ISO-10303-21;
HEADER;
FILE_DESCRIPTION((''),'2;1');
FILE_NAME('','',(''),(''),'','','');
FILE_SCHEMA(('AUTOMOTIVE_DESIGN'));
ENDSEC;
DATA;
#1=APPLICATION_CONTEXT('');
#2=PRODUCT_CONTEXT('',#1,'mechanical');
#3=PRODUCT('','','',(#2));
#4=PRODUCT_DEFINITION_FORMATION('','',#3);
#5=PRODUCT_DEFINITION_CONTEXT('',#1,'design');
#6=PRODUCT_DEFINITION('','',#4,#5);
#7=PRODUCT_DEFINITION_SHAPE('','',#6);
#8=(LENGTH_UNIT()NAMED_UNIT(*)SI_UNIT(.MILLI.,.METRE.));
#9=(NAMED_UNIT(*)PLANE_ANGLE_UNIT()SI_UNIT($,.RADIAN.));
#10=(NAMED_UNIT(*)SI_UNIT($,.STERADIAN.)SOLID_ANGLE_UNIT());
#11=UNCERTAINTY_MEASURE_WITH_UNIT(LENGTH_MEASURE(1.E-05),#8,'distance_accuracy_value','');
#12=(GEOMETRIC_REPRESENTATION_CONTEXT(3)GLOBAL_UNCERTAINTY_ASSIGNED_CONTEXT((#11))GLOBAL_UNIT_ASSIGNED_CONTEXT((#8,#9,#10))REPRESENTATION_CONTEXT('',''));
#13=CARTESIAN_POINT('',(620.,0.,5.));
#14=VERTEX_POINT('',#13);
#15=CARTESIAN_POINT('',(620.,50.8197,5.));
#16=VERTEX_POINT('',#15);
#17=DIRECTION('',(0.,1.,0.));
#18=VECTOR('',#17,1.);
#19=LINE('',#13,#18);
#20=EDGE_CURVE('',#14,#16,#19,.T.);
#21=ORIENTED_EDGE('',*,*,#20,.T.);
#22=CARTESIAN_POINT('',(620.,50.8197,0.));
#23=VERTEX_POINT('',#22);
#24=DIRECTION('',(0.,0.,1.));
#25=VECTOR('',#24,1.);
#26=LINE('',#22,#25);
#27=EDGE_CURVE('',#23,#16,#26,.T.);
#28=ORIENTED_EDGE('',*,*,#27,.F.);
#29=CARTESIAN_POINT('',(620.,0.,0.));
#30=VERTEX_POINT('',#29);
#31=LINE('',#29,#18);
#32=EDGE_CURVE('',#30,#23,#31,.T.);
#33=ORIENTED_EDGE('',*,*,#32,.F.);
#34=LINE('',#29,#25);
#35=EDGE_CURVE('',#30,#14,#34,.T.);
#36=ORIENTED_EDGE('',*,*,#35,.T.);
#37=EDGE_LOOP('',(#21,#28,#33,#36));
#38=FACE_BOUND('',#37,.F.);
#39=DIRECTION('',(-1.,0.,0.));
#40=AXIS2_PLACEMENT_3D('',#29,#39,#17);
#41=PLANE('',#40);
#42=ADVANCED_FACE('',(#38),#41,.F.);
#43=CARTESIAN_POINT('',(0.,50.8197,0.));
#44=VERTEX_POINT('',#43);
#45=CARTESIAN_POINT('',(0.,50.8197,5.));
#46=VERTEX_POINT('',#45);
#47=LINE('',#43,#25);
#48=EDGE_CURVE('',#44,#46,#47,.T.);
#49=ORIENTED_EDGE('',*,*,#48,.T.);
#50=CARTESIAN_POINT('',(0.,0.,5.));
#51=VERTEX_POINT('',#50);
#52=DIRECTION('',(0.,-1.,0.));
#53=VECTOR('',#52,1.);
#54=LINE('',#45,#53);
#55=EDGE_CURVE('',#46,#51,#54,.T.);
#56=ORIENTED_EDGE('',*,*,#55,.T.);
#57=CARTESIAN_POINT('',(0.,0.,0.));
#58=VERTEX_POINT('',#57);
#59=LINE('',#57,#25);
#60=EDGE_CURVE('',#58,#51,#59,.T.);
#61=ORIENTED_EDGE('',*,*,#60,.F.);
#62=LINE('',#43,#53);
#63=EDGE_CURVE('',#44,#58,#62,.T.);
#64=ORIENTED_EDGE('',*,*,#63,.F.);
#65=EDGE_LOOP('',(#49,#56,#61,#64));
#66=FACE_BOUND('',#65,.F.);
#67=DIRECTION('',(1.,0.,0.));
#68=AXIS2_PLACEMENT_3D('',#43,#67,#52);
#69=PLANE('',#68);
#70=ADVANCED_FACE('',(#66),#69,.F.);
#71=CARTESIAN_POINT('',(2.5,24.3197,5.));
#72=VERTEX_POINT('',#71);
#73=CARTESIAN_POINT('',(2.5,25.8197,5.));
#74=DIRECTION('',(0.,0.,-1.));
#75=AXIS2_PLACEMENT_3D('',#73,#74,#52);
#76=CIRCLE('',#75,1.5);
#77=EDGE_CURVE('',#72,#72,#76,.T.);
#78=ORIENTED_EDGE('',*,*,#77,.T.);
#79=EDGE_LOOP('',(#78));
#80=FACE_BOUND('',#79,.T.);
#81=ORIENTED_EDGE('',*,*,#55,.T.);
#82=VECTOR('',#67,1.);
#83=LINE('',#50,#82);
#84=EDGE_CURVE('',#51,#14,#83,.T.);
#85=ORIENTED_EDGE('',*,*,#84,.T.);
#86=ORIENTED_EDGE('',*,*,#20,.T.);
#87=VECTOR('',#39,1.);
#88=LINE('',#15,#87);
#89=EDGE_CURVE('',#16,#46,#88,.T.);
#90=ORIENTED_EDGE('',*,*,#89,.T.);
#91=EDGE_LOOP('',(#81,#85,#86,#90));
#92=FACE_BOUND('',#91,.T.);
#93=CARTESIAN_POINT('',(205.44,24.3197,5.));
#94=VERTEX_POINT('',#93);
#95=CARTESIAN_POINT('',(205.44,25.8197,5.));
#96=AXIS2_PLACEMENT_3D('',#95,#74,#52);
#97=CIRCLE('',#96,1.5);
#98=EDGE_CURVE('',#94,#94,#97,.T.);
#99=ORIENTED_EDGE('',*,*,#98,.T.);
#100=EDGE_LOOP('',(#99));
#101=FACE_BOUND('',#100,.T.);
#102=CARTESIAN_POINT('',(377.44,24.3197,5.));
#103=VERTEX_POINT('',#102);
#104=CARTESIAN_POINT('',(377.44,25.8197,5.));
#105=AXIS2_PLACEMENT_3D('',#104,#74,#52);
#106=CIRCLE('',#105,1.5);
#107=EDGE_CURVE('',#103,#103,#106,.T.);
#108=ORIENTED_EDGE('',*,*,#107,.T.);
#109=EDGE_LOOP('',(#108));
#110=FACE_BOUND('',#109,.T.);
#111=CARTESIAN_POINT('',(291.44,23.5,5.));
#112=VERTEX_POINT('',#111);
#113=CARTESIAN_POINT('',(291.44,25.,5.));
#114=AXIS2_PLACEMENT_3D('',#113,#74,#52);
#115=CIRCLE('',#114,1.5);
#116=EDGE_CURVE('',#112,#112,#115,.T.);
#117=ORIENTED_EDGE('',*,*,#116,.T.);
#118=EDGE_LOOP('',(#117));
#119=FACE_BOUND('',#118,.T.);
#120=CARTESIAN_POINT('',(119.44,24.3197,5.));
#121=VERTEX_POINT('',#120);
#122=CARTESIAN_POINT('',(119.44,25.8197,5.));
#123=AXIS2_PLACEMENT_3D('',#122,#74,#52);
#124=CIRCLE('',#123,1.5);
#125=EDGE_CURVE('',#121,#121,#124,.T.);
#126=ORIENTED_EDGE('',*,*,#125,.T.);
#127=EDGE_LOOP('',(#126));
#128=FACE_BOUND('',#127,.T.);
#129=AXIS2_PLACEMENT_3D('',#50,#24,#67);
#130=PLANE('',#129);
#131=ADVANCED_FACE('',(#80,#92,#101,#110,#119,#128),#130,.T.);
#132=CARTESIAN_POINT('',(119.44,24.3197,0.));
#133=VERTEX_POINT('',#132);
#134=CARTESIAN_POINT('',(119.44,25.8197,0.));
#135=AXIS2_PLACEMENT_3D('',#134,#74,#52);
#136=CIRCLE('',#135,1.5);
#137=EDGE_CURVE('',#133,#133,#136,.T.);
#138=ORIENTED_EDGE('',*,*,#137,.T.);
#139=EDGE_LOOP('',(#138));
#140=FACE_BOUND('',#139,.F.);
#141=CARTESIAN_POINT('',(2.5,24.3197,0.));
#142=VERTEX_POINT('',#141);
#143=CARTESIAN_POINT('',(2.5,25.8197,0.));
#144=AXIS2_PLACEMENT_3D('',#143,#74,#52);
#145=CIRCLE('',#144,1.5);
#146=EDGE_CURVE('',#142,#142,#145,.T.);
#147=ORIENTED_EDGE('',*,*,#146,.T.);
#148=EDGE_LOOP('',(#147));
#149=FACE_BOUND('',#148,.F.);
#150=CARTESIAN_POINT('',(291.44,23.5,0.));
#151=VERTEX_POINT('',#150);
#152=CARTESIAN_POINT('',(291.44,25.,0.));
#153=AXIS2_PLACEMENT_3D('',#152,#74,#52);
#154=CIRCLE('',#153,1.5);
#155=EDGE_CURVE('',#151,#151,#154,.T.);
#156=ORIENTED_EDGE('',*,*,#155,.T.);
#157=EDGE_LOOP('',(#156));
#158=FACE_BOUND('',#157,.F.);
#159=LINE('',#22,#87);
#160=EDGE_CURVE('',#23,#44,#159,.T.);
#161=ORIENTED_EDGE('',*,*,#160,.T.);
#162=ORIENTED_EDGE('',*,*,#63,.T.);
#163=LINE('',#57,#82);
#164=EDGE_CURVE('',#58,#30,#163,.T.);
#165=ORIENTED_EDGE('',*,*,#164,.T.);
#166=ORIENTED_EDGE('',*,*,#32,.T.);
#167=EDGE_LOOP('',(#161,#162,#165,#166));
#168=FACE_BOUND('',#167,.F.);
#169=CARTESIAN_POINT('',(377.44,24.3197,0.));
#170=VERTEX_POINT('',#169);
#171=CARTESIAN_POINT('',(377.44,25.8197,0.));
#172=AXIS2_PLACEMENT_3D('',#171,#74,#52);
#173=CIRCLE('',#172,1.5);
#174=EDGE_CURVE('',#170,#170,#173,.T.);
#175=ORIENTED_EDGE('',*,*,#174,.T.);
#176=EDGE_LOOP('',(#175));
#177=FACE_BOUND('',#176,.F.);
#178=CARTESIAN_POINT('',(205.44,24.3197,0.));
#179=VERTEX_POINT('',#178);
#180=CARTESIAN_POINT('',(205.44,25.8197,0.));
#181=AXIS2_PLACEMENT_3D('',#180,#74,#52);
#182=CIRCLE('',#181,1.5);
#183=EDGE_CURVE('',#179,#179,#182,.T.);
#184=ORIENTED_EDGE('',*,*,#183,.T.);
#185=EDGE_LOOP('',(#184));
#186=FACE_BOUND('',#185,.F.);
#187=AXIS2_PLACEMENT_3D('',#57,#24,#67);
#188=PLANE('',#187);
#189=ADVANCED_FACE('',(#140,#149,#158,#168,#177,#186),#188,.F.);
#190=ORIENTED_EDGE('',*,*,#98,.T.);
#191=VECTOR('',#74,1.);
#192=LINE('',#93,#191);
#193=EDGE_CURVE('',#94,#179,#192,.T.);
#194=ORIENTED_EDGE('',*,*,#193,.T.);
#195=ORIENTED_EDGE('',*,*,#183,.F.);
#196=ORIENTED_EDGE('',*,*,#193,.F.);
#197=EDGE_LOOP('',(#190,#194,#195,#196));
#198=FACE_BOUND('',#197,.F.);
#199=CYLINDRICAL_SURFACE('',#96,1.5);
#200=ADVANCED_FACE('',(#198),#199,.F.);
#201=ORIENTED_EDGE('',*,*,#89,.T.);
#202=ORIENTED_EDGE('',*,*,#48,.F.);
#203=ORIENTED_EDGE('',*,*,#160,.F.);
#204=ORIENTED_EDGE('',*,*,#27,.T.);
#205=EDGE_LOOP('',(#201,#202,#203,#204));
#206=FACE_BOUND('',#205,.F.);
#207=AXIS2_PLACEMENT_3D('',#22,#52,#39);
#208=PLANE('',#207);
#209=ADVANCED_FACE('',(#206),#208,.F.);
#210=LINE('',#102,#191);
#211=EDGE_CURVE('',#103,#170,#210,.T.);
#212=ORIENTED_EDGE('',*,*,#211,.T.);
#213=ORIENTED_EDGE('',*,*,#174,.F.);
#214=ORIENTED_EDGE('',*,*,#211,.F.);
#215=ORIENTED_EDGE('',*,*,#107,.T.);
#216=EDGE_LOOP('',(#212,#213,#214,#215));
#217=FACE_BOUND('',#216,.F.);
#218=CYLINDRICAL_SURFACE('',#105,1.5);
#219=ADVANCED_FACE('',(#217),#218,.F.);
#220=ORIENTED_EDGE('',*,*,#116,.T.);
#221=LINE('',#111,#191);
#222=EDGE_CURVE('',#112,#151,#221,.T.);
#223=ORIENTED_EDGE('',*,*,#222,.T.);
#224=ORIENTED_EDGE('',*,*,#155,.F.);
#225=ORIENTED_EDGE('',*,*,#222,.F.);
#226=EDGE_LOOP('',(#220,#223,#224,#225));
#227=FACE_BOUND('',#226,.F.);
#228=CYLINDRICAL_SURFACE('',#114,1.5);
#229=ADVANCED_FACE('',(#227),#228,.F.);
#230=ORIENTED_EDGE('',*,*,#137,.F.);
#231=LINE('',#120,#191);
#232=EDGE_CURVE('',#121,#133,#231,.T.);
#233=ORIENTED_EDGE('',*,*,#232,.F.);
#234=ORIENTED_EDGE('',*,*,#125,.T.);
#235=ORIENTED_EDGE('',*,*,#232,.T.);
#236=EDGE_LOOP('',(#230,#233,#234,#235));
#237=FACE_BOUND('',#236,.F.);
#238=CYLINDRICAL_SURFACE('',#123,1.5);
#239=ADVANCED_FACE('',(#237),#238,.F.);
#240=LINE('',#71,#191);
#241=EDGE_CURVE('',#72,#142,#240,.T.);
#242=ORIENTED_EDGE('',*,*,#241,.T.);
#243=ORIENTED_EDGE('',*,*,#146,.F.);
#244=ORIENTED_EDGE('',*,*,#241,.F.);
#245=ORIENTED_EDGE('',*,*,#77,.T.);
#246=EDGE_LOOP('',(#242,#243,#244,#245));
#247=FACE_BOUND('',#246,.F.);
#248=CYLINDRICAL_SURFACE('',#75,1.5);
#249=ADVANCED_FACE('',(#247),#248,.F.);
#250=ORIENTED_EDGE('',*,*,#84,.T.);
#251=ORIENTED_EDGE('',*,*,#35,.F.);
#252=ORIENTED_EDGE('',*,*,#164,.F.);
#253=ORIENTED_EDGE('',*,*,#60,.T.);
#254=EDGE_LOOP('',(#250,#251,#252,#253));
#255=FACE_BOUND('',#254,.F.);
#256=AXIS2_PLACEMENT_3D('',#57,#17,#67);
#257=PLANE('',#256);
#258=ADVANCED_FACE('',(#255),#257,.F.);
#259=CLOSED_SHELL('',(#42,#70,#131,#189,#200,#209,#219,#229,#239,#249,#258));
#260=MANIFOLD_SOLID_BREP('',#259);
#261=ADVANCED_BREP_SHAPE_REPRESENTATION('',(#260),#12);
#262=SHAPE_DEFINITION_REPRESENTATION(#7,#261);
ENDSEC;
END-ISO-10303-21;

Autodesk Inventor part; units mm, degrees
ref_plane "YZ Plane" through (0, 0, 0) normal (1, 0, 0) x (0, 1, 0)
ref_plane "XZ Plane" through (0, 0, 0) normal (0, 1, 0) x (-1, 0, 0)
ref_plane "XY Plane" through (0, 0, 0) normal (0, 0, 1) x (1, 0, 0)
sketch "Sketch1" plane through (0, 0, 0) normal (0, 0, 1) x (1, 0, 0)
  line L0 (0, 0) -> (620, 0)
  line L1 (620, 0) -> (620, 50.8197)
  line L2 (620, 50.8197) -> (0, 50.8197)
  line L3 (0, 50.8197) -> (0, 0)
  dimension "d21" = 620
extrude "Extrusion1" add sketch "Sketch1" along normal blind 5
sketch "Sketch2" plane through (0, 0, 5) normal (0, 0, 1) x (1, 0, 0)
  line L0 (0, 50.8197) -> (0, 0) projected
  line L1 (620, 50.8197) -> (0, 50.8197) projected
  line L2 (0, 0) -> (620, 0) projected
  point P0 (2.5, 25.8197)
  point P1 (119.44, 25.8197)
  point P2 (205.44, 25.8197)
  point P3 (291.44, 25)
  point P4 (377.44, 25.8197)
  dimension "d4" = 2.5
  dimension "d5" = 25
  dimension "d6" = 119.44
  dimension "d7" = 25
  dimension "d8" = 205.44
  dimension "d9" = 25
  dimension "d10" = 25
  dimension "d11" = 291.44
  dimension "d12" = 25
  dimension "d13" = 377.44
hole "Hole1" at (2.5, 25.8197, 5) at (119.44, 25.8197, 5) at (205.44, 25.8197, 5) at (291.44, 25, 5) at (377.44, 25.8197, 5) direction (0, 0, -1) diameter 3 end through all
sketch "Sketch3" plane through (0, 0, 5) normal (0, 0, 1) x (1, 0, 0)
  point P0 (0, 0)
properties part number "side_support_holder"
